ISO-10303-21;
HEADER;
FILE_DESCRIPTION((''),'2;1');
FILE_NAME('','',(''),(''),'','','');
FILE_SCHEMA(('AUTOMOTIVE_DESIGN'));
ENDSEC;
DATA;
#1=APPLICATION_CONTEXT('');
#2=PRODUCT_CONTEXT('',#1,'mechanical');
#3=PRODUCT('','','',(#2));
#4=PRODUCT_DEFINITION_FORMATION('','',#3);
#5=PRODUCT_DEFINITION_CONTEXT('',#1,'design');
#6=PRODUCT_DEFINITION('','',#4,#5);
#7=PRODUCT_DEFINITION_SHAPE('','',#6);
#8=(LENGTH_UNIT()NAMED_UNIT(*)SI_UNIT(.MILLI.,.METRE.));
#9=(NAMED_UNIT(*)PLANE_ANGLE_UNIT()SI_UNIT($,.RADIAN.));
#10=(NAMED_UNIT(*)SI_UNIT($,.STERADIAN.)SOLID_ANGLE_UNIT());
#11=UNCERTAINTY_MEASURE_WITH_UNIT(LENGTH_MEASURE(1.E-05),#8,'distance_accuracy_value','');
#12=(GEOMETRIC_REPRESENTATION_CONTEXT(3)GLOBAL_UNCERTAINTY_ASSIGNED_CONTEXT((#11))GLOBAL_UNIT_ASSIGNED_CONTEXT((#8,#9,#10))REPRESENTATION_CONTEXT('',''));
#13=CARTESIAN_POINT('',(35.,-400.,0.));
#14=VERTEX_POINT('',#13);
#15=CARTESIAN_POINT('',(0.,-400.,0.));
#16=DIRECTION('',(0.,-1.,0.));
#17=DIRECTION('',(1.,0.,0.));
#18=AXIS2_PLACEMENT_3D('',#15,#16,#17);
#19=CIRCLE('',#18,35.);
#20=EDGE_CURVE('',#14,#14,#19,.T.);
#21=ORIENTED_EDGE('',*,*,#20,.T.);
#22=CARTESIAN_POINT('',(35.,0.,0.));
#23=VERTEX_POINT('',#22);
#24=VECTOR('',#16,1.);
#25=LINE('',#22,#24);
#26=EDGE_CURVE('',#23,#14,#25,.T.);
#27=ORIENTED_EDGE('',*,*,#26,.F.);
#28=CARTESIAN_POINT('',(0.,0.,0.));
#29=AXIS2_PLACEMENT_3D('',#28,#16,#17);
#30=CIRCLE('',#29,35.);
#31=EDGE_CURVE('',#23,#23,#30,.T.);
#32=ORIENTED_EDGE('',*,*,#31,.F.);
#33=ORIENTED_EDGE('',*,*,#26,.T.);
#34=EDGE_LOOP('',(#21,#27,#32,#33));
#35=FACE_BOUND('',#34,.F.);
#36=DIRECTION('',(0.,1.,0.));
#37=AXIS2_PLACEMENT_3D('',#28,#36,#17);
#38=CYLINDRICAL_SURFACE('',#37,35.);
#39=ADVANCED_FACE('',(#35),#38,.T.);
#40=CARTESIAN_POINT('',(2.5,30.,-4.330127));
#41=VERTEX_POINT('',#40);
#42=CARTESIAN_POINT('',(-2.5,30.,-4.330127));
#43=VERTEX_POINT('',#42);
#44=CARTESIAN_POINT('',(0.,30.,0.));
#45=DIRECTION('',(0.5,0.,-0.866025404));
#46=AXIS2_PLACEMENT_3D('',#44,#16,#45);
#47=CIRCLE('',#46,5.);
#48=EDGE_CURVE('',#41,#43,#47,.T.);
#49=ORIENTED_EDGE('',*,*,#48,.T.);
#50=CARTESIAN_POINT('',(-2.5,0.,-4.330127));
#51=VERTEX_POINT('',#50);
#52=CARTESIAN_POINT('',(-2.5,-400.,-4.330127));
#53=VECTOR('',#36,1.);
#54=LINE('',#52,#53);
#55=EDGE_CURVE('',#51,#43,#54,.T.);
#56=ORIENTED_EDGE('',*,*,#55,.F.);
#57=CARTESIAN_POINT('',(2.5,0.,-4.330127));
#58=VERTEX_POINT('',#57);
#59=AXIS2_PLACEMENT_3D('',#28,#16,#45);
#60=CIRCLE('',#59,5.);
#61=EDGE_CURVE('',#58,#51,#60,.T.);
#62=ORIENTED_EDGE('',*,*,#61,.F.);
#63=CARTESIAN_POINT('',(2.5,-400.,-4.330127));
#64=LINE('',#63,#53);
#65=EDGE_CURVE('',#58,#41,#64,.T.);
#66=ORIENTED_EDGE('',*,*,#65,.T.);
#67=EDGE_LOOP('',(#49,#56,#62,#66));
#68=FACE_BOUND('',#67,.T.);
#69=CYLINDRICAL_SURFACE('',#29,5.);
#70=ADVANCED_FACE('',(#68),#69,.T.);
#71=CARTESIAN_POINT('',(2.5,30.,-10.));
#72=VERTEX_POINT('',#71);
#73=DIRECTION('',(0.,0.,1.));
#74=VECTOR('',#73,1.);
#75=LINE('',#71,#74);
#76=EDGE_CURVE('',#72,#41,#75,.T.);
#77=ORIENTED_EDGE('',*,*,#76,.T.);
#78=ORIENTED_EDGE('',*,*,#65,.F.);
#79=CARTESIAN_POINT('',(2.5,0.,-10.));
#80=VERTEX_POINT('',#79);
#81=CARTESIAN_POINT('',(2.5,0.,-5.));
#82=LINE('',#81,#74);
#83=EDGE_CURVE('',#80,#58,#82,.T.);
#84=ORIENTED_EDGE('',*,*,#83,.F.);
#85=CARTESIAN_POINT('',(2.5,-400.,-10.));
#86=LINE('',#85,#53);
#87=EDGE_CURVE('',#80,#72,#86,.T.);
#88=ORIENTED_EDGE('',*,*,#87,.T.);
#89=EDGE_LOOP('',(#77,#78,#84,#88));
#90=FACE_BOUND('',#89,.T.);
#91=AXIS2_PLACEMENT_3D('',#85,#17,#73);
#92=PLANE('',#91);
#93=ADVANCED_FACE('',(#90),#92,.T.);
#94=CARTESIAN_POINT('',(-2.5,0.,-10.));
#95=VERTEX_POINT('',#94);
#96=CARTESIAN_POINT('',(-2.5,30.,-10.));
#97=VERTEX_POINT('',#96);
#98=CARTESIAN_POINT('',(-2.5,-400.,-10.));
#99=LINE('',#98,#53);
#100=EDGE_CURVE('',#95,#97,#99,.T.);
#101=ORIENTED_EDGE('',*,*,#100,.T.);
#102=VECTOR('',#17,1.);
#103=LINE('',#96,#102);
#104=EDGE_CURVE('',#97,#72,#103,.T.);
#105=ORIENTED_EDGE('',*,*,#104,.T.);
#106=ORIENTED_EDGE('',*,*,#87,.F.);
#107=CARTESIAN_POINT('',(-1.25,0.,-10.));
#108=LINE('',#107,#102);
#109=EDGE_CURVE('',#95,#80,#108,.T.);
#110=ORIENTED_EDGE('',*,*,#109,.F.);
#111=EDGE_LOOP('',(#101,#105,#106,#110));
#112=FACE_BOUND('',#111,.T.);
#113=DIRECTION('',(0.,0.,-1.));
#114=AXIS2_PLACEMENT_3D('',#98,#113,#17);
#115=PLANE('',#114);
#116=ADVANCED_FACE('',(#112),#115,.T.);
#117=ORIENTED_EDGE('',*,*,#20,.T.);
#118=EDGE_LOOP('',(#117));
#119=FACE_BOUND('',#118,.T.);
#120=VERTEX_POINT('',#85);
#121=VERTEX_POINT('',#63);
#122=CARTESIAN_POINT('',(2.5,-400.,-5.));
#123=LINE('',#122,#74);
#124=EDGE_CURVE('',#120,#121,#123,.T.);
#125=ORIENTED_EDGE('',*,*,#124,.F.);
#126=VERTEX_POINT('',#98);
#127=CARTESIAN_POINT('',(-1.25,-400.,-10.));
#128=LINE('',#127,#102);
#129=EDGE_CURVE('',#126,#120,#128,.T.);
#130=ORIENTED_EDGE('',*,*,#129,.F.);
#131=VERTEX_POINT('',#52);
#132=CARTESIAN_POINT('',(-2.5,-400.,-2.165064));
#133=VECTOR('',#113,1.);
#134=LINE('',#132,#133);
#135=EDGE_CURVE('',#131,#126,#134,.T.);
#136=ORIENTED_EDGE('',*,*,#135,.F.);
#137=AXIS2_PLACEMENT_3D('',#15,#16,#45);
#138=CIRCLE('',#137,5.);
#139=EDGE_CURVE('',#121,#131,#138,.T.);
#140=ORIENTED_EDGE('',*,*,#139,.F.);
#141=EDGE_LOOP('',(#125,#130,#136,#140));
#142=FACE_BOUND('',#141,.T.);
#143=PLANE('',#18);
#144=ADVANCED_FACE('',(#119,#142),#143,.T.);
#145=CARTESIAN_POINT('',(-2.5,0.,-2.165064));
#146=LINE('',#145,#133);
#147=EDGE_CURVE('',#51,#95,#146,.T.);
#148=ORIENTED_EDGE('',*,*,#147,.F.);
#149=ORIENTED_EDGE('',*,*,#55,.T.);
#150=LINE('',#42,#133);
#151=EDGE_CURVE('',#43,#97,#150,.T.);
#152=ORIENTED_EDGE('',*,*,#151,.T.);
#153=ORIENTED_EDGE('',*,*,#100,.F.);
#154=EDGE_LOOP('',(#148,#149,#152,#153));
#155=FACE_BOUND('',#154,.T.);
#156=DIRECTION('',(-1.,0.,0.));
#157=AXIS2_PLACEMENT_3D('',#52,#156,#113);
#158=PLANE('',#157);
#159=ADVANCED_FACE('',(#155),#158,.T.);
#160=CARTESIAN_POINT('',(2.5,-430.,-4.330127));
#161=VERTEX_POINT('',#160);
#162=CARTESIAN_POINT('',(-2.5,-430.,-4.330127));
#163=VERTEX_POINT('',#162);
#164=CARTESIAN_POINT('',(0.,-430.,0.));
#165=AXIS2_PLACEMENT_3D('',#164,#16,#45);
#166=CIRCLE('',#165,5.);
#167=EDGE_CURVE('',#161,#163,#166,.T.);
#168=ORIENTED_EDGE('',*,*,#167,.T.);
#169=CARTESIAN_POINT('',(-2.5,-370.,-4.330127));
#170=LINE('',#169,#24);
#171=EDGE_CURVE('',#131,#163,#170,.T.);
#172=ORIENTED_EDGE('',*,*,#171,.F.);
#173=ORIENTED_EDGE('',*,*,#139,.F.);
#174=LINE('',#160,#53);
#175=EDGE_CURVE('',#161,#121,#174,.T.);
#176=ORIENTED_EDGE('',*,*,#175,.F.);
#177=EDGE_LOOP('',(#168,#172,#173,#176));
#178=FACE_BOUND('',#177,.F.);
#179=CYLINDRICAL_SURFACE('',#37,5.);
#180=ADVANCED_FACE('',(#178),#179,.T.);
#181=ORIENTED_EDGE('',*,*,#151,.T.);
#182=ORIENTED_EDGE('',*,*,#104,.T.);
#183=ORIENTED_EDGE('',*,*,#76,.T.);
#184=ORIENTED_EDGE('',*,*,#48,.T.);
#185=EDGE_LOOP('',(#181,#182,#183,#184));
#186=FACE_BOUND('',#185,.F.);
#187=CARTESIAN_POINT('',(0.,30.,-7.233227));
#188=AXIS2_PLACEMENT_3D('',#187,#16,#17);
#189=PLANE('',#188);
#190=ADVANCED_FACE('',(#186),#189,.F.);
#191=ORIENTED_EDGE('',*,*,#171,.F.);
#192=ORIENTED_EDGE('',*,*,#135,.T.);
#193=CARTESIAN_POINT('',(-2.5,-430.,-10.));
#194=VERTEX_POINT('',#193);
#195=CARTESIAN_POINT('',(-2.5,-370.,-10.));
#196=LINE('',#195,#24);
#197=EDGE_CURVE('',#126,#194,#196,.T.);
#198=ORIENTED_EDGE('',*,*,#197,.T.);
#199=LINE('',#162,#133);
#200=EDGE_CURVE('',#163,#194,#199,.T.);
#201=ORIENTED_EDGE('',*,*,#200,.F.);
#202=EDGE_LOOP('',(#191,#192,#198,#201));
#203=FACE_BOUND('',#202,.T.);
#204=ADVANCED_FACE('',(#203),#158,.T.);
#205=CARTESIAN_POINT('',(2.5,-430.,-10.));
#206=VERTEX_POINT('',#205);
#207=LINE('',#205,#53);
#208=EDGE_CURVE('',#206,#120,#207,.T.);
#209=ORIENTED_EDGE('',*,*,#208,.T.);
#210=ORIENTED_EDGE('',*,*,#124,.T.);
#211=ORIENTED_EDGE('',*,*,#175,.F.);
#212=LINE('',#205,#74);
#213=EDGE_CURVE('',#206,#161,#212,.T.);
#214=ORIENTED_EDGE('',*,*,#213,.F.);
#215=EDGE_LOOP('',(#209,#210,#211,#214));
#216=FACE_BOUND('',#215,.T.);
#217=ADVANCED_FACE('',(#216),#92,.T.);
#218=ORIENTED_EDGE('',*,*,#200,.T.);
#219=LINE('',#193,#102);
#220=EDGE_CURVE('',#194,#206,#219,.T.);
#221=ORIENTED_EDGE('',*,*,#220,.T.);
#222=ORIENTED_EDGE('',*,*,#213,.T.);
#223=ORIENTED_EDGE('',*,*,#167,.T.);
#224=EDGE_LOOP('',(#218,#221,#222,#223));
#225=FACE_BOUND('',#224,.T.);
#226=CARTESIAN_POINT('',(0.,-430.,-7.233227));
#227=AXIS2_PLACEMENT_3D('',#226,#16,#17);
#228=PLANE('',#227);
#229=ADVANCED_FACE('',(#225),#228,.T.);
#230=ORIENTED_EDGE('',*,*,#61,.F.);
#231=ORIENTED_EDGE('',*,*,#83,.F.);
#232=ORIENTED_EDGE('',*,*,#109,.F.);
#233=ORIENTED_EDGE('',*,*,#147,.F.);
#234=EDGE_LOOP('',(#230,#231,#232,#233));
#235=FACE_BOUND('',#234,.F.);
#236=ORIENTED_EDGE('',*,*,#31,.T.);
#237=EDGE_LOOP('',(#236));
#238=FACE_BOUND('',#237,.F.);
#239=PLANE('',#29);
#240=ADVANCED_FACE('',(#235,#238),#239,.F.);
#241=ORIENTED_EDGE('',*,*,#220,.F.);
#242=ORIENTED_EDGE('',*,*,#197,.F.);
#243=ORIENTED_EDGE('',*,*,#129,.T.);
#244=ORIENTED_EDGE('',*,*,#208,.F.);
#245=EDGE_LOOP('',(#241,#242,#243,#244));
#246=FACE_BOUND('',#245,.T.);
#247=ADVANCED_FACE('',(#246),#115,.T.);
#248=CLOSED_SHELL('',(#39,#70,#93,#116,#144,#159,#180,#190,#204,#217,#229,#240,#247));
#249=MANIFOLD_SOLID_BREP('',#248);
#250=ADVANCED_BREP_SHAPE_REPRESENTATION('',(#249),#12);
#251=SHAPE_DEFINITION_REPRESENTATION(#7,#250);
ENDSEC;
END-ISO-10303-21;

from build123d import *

# Parameters (mm, degrees)
F0_R     = 35
F1_DEPTH = 400
F2_R     = 5
F3_DEPTH = 30
F4_DEPTH = 430
F6_DEPTH = 30
F7_DEPTH = 430


with BuildPart() as f1:
    # F0 (on Front) → F1 (new body)
    with BuildSketch(Plane.XZ):
        Circle(F0_R)
    extrude(amount=F1_DEPTH)

    # F2 (on Front) → F3 (join)
    with BuildSketch(Plane.XZ):
        Circle(F2_R)
    extrude(amount=-F3_DEPTH)

    # F2 (on Front) → F4 (join)
    with BuildSketch(Plane.XZ):
        Circle(F2_R)
    extrude(amount=F4_DEPTH)

    # F5 (on face) → F6 (join, symmetric)
    with BuildSketch(Plane.XZ.offset(400)):
        with BuildLine():
            ThreePointArc((2.5, -4.3301270189), (0, -5), (-2.5, -4.3301270189))
            Line((-2.5, -4.3301270189), (-2.5, -10))
            Line((-2.5, -10), (2.5, -10))
            Line((2.5, -10), (2.5, -4.3301270189))
        make_face()
    extrude(amount=F6_DEPTH, both=True)

    # F5 (on face) → F7 (join)
    with BuildSketch(Plane.XZ.offset(400)):
        with BuildLine():
            ThreePointArc((2.5, -4.3301270189), (0, -5), (-2.5, -4.3301270189))
            Line((-2.5, -4.3301270189), (-2.5, -10))
            Line((-2.5, -10), (2.5, -10))
            Line((2.5, -10), (2.5, -4.3301270189))
        make_face()
    extrude(amount=-F7_DEPTH)


solid = f1.part
